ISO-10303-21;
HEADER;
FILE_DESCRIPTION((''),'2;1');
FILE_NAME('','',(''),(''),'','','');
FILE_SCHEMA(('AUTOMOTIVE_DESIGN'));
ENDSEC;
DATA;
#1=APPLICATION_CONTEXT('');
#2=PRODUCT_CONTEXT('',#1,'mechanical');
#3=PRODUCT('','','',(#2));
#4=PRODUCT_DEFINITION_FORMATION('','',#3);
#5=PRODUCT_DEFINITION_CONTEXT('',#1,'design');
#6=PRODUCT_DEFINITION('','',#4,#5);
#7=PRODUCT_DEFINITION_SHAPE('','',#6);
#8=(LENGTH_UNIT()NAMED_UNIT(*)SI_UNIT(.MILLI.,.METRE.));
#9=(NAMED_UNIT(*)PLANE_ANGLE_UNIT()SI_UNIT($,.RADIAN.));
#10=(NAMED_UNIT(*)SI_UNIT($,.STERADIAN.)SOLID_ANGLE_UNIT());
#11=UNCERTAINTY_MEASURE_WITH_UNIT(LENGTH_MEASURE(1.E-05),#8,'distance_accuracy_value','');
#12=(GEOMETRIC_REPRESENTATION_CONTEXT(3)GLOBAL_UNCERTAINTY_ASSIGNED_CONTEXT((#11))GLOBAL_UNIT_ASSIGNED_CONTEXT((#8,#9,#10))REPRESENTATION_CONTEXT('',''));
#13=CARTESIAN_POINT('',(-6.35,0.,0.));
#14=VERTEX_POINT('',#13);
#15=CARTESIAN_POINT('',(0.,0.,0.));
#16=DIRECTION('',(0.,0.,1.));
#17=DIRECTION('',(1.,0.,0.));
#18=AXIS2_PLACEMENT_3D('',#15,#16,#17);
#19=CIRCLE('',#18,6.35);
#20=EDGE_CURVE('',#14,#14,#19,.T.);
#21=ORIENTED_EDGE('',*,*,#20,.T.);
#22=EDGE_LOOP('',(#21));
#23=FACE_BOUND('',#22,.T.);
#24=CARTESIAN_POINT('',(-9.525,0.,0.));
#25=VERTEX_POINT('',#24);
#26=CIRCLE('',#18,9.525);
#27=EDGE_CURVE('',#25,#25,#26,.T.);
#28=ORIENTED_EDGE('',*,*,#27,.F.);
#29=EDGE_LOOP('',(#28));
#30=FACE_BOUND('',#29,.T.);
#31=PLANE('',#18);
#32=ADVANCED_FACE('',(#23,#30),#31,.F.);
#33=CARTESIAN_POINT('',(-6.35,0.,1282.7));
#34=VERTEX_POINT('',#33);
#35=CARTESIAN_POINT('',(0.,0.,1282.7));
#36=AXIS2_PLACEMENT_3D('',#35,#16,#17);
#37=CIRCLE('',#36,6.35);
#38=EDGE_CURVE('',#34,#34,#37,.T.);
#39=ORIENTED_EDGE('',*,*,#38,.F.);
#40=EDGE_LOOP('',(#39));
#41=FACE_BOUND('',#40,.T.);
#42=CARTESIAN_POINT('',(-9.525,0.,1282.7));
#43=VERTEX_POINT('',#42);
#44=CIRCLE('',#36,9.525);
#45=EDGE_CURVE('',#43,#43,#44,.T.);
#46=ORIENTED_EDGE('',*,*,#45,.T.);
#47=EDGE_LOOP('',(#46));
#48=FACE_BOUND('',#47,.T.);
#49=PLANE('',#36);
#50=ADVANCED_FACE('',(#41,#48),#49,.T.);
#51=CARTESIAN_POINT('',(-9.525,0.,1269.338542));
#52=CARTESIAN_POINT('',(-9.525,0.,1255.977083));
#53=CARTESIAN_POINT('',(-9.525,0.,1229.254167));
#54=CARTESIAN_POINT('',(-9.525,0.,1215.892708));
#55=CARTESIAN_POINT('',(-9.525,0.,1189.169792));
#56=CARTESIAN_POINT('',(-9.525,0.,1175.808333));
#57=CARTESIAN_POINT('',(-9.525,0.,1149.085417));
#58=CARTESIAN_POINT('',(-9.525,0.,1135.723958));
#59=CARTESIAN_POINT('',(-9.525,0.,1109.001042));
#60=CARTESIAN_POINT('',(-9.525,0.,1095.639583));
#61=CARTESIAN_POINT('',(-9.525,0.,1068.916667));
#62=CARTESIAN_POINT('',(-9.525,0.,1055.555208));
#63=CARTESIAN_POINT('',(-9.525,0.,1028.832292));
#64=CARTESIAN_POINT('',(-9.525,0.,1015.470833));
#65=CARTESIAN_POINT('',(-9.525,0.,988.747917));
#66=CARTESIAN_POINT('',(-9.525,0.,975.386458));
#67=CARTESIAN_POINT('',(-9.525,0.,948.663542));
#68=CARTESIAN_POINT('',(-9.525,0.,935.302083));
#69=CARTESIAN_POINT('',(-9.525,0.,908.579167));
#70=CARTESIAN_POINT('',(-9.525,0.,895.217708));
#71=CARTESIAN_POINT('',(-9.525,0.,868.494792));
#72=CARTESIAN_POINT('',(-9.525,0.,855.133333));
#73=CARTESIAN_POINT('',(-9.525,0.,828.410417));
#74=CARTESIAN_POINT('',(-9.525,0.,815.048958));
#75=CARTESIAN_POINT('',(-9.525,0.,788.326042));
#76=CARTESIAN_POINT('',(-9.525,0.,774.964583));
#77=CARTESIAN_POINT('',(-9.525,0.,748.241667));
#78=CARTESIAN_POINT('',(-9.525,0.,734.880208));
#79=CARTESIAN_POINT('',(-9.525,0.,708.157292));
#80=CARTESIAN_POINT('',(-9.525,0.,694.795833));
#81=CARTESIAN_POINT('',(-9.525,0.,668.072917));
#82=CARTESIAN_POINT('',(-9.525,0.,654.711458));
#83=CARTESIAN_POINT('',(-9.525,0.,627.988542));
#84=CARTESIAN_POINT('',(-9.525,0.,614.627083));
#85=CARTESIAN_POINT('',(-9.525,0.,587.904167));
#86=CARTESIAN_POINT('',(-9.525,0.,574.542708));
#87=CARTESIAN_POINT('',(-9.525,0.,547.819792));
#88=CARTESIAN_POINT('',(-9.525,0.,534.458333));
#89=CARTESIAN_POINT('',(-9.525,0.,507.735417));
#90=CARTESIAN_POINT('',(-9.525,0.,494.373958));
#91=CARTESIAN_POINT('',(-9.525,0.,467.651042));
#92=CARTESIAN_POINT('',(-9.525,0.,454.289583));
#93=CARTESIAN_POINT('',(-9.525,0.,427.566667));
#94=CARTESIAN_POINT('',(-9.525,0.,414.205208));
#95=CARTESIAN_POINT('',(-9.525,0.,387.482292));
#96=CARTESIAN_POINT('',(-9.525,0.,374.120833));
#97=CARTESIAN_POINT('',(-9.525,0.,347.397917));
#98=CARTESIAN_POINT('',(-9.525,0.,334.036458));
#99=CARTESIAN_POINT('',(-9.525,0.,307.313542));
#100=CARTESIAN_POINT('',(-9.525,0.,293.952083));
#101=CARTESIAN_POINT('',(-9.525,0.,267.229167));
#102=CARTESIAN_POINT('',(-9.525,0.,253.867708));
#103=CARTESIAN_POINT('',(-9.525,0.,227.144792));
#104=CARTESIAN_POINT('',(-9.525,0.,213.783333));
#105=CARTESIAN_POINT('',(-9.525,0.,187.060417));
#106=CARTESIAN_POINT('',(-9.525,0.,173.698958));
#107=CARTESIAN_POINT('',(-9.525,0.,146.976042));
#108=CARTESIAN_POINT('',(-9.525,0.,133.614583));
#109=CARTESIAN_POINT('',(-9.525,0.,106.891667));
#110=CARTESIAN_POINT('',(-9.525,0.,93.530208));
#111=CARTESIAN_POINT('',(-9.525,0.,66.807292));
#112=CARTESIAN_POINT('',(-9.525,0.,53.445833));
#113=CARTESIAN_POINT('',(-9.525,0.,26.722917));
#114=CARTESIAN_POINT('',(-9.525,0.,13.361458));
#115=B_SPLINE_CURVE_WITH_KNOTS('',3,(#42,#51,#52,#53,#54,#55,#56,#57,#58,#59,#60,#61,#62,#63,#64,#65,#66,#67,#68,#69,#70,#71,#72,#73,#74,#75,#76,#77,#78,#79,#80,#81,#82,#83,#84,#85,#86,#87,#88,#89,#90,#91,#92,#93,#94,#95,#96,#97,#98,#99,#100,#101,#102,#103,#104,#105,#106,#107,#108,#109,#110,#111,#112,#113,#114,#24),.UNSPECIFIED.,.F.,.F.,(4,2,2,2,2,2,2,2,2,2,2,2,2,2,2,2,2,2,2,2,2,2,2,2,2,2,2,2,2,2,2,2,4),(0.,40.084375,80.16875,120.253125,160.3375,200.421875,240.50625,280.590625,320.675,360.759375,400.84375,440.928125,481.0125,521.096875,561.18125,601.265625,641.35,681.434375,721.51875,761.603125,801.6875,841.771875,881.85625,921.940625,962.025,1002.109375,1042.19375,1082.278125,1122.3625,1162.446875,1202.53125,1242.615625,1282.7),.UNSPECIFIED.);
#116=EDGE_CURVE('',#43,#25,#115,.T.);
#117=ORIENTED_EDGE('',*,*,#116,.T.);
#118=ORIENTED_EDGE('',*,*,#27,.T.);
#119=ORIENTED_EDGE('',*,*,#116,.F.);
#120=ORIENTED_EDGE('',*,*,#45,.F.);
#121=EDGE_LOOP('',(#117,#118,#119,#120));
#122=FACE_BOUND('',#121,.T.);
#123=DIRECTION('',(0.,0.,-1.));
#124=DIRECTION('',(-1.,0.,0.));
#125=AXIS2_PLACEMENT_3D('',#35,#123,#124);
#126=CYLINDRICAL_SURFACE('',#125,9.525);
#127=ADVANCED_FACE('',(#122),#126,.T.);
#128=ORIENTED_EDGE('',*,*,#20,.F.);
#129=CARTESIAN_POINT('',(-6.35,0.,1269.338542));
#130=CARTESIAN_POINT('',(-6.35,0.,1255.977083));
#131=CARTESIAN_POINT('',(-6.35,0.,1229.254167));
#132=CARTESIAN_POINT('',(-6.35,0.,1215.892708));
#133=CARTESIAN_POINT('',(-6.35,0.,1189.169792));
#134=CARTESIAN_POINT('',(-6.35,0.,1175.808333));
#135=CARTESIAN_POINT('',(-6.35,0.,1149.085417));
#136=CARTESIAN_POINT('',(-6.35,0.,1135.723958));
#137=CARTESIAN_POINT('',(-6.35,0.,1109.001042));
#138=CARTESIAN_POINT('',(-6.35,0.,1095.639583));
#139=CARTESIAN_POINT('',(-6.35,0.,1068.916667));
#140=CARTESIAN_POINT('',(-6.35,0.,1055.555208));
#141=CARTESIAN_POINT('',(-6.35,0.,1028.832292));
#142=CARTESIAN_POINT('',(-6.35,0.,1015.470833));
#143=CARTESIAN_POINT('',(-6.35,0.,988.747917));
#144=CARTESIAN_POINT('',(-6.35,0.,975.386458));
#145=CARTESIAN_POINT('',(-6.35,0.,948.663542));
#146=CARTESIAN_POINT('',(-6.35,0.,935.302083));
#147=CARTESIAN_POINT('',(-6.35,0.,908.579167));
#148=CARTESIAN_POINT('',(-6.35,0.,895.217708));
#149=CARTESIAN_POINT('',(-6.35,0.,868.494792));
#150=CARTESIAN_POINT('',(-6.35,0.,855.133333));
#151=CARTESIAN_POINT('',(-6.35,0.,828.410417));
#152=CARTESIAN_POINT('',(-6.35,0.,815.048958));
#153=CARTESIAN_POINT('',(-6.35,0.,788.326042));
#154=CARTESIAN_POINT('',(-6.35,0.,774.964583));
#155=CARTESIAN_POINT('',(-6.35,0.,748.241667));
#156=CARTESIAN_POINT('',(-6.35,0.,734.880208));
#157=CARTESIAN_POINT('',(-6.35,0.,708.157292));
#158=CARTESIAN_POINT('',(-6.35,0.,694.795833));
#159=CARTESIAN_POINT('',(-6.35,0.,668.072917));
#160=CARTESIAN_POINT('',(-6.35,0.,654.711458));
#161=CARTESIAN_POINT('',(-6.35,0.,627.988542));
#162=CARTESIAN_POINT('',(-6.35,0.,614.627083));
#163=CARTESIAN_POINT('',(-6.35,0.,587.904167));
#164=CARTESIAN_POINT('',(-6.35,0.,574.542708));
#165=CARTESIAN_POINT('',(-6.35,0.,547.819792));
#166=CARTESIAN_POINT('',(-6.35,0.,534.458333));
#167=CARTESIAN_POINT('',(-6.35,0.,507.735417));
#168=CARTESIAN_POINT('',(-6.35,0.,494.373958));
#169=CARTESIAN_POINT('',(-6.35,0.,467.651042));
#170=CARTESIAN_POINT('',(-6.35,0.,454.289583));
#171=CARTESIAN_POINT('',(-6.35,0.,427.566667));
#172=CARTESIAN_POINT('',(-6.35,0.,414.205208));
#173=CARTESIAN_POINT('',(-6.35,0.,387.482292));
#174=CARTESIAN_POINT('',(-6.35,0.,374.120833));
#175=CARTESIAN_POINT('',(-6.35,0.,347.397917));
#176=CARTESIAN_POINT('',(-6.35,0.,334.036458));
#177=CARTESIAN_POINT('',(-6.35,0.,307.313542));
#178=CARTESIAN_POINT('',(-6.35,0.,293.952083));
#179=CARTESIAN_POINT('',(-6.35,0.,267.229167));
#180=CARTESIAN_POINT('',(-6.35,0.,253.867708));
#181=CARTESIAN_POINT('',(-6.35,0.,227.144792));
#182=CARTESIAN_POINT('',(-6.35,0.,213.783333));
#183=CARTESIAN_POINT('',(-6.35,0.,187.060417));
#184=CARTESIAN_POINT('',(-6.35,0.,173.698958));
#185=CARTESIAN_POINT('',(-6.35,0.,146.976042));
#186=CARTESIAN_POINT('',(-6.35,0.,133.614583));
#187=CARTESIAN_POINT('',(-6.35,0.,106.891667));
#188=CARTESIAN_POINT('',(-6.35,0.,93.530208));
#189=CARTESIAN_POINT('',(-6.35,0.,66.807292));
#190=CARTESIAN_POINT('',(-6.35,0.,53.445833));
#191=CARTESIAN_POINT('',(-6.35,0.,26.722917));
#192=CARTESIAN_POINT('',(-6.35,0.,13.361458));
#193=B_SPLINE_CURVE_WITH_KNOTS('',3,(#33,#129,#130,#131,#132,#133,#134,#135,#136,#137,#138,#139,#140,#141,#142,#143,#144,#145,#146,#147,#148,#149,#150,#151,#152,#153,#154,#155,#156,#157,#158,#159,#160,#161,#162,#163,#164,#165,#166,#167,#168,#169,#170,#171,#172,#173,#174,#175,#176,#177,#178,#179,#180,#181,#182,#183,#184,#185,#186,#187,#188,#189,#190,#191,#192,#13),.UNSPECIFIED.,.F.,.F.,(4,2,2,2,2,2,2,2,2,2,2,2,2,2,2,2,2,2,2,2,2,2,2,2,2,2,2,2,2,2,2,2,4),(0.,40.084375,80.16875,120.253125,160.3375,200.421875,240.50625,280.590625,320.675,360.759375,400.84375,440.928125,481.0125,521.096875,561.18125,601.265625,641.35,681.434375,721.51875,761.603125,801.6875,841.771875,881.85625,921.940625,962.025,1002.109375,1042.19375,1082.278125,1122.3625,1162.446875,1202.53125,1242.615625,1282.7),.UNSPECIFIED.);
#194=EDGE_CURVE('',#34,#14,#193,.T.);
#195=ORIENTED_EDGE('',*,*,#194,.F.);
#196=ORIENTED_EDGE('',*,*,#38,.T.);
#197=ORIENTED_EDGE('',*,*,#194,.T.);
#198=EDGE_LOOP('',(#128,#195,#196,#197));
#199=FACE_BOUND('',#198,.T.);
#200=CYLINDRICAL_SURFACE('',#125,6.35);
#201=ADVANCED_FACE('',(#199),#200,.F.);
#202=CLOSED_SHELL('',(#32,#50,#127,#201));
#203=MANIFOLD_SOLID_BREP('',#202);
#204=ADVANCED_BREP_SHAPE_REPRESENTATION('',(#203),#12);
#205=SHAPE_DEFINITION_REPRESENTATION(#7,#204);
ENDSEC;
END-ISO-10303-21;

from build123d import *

# Parameters (mm, degrees)
SKETCH3_R           = 9.525
SKETCH3_R_2         = 6.35
BOSS_EXTRUDE1_DEPTH = 1282.7


with BuildPart() as part:
    # Sketch3 → Boss-Extrude1 (new body)
    with BuildSketch(Plane.XY):
        with Locations(Location((0, 0, 0), (0, 0, 180))):
            Circle(SKETCH3_R)
        with Locations(Location((0, 0, 0), (0, 0, 180))):
            Circle(SKETCH3_R_2, mode=Mode.SUBTRACT)
    extrude(amount=BOSS_EXTRUDE1_DEPTH)


solid = part.part
